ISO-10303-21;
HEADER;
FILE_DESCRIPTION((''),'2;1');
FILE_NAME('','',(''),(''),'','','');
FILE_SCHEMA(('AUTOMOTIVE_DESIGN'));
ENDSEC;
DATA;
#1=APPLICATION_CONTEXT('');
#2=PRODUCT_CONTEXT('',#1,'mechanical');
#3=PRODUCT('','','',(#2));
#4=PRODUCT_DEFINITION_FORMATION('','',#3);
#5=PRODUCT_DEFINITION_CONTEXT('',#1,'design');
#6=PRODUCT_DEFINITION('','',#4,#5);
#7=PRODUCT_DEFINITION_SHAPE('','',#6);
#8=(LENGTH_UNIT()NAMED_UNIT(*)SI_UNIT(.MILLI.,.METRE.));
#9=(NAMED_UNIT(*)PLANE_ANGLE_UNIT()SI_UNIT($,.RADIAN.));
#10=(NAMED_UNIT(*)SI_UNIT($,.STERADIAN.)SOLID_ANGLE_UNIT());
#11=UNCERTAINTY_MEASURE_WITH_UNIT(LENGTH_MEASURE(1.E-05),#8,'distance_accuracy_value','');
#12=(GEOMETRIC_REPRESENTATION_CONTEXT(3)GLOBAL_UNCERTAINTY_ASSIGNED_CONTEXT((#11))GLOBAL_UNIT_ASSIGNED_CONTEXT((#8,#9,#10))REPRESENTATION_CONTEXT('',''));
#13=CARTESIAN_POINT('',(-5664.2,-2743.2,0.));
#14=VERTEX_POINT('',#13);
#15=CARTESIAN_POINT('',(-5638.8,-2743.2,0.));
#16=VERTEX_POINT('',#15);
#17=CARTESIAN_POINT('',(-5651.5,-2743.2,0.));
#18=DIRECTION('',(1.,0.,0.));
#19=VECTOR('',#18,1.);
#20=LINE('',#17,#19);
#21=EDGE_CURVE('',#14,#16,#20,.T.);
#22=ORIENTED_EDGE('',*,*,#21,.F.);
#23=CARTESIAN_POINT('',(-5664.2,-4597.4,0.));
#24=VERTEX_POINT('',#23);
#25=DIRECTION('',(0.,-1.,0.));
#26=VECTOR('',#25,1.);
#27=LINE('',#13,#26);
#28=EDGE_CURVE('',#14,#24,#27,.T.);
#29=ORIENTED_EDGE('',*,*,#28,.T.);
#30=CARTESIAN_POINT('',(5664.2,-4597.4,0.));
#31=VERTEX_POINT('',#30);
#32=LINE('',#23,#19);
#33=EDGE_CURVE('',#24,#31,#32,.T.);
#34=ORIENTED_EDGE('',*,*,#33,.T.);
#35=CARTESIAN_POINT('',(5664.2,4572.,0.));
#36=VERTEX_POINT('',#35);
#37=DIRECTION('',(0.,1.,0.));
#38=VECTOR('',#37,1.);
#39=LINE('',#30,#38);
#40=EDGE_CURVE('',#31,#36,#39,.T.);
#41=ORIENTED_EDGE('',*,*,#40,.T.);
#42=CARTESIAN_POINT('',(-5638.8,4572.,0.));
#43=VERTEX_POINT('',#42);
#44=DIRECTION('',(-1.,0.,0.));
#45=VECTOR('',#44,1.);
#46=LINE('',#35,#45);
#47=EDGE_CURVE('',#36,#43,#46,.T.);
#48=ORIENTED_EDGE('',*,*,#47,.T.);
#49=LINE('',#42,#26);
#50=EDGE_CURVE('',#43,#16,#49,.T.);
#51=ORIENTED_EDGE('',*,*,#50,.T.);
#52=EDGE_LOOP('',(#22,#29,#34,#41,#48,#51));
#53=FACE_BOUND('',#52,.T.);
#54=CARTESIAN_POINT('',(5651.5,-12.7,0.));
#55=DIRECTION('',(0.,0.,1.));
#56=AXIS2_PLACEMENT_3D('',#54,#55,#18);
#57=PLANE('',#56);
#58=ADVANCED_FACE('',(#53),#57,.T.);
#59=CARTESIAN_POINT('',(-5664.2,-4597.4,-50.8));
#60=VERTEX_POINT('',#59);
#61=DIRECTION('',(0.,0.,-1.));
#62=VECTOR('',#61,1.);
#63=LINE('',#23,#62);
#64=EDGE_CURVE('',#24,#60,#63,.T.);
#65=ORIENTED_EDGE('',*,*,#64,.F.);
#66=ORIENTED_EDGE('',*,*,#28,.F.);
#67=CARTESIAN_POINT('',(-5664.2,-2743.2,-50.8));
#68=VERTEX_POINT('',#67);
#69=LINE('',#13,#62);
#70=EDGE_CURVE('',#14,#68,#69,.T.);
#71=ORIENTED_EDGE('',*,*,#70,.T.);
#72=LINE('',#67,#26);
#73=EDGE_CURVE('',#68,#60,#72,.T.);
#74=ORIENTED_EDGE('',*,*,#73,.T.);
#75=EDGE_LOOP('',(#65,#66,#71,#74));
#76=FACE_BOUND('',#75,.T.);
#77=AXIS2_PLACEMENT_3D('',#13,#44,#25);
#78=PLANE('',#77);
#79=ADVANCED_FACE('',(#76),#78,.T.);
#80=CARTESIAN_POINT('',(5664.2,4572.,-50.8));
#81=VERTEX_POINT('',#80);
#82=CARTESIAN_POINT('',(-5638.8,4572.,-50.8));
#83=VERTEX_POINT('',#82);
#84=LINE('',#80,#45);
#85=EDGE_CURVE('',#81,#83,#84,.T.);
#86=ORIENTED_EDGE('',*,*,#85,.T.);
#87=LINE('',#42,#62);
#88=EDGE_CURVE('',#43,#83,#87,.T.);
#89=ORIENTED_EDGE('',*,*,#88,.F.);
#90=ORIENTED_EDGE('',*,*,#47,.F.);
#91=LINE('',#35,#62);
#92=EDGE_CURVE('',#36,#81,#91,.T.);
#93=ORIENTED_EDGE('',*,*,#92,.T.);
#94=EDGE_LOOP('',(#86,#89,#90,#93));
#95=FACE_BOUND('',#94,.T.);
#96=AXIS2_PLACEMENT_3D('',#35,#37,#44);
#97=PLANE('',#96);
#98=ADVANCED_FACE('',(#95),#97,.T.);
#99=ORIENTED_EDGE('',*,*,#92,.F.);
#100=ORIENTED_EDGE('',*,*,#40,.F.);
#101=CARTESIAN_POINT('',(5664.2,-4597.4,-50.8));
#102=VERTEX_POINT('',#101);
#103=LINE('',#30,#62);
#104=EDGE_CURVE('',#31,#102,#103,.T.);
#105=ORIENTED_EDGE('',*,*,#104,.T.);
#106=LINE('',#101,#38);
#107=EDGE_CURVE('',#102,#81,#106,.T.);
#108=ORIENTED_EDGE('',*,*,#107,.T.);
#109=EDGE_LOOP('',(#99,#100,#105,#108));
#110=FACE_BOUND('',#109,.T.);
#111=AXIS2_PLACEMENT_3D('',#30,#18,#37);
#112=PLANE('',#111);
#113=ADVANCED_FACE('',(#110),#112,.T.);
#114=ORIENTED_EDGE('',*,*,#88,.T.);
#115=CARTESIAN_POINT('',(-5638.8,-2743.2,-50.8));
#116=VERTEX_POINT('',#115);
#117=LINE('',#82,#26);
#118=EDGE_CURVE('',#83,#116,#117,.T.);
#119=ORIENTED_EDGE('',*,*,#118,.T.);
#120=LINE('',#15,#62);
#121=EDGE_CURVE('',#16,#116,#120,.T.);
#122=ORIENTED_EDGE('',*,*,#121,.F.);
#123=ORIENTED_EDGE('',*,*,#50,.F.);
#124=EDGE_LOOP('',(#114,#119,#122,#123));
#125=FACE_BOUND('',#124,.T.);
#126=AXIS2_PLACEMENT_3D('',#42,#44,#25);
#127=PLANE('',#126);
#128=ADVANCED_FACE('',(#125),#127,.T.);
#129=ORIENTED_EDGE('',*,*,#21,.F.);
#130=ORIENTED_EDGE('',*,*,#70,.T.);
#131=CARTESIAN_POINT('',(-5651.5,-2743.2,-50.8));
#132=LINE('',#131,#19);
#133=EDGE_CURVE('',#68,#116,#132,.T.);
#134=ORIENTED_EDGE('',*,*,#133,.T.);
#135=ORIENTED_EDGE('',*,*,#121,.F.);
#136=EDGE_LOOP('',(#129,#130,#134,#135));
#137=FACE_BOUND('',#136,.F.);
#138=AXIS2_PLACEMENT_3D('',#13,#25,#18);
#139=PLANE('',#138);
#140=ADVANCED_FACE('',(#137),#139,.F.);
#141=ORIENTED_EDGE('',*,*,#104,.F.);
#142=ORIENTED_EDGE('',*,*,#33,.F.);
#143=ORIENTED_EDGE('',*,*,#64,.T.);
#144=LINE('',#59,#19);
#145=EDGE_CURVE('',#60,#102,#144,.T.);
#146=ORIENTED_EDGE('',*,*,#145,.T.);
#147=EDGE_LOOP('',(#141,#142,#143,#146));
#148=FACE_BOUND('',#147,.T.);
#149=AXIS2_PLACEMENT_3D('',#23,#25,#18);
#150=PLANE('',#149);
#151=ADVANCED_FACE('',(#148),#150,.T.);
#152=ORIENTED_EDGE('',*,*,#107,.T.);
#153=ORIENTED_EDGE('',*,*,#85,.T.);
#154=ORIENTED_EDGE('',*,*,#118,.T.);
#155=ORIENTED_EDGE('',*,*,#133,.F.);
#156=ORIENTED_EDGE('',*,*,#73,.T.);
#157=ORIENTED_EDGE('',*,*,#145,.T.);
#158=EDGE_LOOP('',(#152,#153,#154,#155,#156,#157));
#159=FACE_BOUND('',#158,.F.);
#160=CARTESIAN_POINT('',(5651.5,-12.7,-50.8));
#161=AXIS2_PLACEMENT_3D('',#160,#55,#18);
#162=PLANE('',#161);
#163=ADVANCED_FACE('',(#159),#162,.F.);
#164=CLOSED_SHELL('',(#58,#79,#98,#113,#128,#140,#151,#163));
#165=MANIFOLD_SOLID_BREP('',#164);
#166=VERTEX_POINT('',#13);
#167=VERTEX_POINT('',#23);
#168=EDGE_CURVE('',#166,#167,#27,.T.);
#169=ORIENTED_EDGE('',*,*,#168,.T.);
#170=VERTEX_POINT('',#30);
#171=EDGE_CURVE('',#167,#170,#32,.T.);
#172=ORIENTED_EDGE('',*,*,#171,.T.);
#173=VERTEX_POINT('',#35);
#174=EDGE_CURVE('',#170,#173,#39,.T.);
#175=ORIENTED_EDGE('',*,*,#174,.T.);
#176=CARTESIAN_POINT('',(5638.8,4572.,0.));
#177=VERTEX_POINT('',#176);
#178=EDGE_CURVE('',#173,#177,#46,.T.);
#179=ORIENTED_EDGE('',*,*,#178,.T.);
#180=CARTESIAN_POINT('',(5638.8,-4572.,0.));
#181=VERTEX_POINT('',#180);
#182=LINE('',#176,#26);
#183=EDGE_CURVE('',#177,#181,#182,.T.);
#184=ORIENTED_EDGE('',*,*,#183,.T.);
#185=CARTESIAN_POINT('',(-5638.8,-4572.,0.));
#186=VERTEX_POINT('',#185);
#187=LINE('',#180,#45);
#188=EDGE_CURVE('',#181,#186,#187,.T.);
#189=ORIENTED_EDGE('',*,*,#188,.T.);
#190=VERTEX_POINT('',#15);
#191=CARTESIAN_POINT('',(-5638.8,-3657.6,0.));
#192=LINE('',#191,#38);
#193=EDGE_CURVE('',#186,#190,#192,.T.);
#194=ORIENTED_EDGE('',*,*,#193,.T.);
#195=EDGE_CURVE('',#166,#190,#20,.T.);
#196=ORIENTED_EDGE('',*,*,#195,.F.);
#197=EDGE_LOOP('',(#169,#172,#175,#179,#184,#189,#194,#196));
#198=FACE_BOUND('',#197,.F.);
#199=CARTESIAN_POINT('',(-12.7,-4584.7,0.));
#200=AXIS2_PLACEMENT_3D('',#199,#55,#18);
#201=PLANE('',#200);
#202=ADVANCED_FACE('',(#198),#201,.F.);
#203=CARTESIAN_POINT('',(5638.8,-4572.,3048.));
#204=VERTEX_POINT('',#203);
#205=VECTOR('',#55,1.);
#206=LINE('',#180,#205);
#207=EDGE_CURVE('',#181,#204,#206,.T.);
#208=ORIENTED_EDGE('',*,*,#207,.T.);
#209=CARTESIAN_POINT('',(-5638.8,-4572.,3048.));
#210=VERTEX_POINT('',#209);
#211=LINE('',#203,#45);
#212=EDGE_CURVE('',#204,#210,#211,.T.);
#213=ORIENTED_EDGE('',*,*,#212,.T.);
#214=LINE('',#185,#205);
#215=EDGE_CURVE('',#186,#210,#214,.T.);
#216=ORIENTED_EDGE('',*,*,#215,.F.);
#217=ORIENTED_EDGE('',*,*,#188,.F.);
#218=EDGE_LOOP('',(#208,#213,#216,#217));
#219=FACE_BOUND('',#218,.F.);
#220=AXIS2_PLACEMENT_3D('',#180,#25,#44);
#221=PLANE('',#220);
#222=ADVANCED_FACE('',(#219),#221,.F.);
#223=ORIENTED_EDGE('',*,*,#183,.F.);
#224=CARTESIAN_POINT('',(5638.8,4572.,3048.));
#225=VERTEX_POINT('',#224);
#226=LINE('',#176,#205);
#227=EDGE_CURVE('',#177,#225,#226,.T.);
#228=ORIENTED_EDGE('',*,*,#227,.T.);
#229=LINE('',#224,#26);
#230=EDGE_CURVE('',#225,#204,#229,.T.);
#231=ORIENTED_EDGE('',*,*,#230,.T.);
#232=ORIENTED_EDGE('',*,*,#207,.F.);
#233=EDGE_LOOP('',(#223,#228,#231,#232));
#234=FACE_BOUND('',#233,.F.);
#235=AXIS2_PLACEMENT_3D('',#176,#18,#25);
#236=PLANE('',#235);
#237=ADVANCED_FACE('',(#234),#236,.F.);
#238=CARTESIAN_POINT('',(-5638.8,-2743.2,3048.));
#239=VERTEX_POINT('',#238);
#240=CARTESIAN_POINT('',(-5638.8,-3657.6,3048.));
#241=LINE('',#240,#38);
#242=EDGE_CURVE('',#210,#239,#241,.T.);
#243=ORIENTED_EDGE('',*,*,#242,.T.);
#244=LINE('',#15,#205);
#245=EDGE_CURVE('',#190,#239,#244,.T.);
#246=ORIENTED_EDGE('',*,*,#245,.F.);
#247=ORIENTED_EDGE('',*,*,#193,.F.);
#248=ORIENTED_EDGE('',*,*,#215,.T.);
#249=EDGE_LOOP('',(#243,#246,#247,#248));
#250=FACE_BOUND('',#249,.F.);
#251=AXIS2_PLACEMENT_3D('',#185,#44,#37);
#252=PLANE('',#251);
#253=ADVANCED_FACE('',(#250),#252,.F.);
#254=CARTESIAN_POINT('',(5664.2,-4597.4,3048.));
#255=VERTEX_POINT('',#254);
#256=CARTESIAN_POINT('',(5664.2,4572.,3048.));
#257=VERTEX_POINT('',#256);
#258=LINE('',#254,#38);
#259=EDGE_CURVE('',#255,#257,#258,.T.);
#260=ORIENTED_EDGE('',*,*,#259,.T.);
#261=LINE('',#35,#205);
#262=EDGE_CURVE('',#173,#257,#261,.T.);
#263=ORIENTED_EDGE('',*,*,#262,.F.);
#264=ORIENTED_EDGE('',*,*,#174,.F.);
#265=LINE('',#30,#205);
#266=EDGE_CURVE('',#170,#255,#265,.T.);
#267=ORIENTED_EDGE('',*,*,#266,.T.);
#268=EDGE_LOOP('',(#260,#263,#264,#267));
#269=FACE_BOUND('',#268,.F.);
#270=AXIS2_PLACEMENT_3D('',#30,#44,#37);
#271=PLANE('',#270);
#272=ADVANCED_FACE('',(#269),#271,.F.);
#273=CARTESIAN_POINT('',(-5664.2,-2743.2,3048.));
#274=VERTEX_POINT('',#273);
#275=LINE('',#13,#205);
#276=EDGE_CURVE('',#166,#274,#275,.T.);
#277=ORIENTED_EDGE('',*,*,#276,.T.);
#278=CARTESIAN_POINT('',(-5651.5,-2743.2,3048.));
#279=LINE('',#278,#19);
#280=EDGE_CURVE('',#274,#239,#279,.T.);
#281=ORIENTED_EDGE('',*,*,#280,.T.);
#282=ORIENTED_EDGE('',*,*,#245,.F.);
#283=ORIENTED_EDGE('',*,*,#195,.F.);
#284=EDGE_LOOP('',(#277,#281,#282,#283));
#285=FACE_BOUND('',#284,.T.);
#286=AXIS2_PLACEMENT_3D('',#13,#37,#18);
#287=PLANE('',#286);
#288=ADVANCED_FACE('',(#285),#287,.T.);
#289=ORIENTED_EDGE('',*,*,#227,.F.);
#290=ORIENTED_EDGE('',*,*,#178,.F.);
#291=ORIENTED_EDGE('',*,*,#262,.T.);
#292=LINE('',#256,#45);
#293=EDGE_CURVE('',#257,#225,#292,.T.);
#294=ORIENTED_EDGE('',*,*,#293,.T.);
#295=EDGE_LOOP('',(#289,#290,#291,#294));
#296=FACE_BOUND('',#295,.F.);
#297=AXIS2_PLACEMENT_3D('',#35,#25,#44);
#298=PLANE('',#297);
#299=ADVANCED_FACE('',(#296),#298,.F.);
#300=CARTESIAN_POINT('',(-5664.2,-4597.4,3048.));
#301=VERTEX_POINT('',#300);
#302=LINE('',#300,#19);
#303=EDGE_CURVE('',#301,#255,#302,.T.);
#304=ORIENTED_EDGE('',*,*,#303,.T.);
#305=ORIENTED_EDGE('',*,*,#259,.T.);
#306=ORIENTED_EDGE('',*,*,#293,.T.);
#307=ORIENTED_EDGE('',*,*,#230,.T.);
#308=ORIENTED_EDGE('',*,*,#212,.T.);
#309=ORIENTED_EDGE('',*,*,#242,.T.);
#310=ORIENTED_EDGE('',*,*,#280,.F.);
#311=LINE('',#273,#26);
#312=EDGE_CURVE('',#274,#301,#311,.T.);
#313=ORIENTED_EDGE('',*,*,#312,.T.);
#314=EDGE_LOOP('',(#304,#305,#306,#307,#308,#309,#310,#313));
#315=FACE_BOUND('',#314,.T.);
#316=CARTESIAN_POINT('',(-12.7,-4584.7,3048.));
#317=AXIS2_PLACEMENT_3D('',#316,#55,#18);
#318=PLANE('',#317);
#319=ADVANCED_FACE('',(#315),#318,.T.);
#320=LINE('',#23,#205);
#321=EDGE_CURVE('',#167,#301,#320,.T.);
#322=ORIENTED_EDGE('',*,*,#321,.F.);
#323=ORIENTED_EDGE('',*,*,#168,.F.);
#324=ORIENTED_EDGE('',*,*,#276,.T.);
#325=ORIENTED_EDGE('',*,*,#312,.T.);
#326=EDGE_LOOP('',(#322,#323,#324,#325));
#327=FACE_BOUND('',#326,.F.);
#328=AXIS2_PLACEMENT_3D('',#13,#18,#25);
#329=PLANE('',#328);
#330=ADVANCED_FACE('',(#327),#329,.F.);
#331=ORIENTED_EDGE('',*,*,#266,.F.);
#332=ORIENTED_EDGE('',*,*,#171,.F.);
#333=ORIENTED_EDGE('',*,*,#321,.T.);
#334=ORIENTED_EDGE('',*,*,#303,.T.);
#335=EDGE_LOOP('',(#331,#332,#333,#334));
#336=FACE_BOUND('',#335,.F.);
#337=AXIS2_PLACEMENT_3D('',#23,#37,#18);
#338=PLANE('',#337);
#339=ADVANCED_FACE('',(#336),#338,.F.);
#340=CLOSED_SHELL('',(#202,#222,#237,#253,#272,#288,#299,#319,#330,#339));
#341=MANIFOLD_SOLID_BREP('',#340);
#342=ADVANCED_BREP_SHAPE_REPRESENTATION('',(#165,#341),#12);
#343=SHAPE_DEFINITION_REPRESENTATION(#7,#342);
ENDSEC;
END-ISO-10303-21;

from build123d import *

# Parameters (mm, degrees)
F2_W     = 25.4
F2_H     = 1828.8
F3_DEPTH = 50.8
F4_DEPTH = 3048


with BuildPart() as f3:
    # F2 (on Top) → F3 (new body)
    with BuildSketch(Plane.XY):
        Polygon((5638.8, 4572), (5638.8, -4572), (5638.8, -4597.4), (5664.2, -4597.4), (5664.2, 4572), align=None)
        Polygon((5638.8, -4597.4), (5638.8, -4572), (-5638.8, -4572), (-5664.2, -4572), (-5664.2, -4597.4), align=None)
        Polygon((-5638.8, -4572), (5638.8, -4572), (5638.8, 4572), (-5638.8, 4572), (-5638.8, -2743.2), align=None)
        with Locations((-5651.5, -3657.6)):
            Rectangle(F2_W, F2_H)
    extrude(amount=-F3_DEPTH)


with BuildPart() as f4:
    # F2 (on Top) → F4 (new body)
    with BuildSketch(Plane.XY):
        Polygon((5638.8, -4597.4), (5638.8, -4572), (-5638.8, -4572), (-5664.2, -4572), (-5664.2, -4597.4), align=None)
        with Locations((-5651.5, -3657.6)):
            Rectangle(F2_W, F2_H)
        Polygon((5638.8, 4572), (5638.8, -4572), (5638.8, -4597.4), (5664.2, -4597.4), (5664.2, 4572), align=None)
    extrude(amount=F4_DEPTH)


solid = Compound([f3.part, f4.part])
